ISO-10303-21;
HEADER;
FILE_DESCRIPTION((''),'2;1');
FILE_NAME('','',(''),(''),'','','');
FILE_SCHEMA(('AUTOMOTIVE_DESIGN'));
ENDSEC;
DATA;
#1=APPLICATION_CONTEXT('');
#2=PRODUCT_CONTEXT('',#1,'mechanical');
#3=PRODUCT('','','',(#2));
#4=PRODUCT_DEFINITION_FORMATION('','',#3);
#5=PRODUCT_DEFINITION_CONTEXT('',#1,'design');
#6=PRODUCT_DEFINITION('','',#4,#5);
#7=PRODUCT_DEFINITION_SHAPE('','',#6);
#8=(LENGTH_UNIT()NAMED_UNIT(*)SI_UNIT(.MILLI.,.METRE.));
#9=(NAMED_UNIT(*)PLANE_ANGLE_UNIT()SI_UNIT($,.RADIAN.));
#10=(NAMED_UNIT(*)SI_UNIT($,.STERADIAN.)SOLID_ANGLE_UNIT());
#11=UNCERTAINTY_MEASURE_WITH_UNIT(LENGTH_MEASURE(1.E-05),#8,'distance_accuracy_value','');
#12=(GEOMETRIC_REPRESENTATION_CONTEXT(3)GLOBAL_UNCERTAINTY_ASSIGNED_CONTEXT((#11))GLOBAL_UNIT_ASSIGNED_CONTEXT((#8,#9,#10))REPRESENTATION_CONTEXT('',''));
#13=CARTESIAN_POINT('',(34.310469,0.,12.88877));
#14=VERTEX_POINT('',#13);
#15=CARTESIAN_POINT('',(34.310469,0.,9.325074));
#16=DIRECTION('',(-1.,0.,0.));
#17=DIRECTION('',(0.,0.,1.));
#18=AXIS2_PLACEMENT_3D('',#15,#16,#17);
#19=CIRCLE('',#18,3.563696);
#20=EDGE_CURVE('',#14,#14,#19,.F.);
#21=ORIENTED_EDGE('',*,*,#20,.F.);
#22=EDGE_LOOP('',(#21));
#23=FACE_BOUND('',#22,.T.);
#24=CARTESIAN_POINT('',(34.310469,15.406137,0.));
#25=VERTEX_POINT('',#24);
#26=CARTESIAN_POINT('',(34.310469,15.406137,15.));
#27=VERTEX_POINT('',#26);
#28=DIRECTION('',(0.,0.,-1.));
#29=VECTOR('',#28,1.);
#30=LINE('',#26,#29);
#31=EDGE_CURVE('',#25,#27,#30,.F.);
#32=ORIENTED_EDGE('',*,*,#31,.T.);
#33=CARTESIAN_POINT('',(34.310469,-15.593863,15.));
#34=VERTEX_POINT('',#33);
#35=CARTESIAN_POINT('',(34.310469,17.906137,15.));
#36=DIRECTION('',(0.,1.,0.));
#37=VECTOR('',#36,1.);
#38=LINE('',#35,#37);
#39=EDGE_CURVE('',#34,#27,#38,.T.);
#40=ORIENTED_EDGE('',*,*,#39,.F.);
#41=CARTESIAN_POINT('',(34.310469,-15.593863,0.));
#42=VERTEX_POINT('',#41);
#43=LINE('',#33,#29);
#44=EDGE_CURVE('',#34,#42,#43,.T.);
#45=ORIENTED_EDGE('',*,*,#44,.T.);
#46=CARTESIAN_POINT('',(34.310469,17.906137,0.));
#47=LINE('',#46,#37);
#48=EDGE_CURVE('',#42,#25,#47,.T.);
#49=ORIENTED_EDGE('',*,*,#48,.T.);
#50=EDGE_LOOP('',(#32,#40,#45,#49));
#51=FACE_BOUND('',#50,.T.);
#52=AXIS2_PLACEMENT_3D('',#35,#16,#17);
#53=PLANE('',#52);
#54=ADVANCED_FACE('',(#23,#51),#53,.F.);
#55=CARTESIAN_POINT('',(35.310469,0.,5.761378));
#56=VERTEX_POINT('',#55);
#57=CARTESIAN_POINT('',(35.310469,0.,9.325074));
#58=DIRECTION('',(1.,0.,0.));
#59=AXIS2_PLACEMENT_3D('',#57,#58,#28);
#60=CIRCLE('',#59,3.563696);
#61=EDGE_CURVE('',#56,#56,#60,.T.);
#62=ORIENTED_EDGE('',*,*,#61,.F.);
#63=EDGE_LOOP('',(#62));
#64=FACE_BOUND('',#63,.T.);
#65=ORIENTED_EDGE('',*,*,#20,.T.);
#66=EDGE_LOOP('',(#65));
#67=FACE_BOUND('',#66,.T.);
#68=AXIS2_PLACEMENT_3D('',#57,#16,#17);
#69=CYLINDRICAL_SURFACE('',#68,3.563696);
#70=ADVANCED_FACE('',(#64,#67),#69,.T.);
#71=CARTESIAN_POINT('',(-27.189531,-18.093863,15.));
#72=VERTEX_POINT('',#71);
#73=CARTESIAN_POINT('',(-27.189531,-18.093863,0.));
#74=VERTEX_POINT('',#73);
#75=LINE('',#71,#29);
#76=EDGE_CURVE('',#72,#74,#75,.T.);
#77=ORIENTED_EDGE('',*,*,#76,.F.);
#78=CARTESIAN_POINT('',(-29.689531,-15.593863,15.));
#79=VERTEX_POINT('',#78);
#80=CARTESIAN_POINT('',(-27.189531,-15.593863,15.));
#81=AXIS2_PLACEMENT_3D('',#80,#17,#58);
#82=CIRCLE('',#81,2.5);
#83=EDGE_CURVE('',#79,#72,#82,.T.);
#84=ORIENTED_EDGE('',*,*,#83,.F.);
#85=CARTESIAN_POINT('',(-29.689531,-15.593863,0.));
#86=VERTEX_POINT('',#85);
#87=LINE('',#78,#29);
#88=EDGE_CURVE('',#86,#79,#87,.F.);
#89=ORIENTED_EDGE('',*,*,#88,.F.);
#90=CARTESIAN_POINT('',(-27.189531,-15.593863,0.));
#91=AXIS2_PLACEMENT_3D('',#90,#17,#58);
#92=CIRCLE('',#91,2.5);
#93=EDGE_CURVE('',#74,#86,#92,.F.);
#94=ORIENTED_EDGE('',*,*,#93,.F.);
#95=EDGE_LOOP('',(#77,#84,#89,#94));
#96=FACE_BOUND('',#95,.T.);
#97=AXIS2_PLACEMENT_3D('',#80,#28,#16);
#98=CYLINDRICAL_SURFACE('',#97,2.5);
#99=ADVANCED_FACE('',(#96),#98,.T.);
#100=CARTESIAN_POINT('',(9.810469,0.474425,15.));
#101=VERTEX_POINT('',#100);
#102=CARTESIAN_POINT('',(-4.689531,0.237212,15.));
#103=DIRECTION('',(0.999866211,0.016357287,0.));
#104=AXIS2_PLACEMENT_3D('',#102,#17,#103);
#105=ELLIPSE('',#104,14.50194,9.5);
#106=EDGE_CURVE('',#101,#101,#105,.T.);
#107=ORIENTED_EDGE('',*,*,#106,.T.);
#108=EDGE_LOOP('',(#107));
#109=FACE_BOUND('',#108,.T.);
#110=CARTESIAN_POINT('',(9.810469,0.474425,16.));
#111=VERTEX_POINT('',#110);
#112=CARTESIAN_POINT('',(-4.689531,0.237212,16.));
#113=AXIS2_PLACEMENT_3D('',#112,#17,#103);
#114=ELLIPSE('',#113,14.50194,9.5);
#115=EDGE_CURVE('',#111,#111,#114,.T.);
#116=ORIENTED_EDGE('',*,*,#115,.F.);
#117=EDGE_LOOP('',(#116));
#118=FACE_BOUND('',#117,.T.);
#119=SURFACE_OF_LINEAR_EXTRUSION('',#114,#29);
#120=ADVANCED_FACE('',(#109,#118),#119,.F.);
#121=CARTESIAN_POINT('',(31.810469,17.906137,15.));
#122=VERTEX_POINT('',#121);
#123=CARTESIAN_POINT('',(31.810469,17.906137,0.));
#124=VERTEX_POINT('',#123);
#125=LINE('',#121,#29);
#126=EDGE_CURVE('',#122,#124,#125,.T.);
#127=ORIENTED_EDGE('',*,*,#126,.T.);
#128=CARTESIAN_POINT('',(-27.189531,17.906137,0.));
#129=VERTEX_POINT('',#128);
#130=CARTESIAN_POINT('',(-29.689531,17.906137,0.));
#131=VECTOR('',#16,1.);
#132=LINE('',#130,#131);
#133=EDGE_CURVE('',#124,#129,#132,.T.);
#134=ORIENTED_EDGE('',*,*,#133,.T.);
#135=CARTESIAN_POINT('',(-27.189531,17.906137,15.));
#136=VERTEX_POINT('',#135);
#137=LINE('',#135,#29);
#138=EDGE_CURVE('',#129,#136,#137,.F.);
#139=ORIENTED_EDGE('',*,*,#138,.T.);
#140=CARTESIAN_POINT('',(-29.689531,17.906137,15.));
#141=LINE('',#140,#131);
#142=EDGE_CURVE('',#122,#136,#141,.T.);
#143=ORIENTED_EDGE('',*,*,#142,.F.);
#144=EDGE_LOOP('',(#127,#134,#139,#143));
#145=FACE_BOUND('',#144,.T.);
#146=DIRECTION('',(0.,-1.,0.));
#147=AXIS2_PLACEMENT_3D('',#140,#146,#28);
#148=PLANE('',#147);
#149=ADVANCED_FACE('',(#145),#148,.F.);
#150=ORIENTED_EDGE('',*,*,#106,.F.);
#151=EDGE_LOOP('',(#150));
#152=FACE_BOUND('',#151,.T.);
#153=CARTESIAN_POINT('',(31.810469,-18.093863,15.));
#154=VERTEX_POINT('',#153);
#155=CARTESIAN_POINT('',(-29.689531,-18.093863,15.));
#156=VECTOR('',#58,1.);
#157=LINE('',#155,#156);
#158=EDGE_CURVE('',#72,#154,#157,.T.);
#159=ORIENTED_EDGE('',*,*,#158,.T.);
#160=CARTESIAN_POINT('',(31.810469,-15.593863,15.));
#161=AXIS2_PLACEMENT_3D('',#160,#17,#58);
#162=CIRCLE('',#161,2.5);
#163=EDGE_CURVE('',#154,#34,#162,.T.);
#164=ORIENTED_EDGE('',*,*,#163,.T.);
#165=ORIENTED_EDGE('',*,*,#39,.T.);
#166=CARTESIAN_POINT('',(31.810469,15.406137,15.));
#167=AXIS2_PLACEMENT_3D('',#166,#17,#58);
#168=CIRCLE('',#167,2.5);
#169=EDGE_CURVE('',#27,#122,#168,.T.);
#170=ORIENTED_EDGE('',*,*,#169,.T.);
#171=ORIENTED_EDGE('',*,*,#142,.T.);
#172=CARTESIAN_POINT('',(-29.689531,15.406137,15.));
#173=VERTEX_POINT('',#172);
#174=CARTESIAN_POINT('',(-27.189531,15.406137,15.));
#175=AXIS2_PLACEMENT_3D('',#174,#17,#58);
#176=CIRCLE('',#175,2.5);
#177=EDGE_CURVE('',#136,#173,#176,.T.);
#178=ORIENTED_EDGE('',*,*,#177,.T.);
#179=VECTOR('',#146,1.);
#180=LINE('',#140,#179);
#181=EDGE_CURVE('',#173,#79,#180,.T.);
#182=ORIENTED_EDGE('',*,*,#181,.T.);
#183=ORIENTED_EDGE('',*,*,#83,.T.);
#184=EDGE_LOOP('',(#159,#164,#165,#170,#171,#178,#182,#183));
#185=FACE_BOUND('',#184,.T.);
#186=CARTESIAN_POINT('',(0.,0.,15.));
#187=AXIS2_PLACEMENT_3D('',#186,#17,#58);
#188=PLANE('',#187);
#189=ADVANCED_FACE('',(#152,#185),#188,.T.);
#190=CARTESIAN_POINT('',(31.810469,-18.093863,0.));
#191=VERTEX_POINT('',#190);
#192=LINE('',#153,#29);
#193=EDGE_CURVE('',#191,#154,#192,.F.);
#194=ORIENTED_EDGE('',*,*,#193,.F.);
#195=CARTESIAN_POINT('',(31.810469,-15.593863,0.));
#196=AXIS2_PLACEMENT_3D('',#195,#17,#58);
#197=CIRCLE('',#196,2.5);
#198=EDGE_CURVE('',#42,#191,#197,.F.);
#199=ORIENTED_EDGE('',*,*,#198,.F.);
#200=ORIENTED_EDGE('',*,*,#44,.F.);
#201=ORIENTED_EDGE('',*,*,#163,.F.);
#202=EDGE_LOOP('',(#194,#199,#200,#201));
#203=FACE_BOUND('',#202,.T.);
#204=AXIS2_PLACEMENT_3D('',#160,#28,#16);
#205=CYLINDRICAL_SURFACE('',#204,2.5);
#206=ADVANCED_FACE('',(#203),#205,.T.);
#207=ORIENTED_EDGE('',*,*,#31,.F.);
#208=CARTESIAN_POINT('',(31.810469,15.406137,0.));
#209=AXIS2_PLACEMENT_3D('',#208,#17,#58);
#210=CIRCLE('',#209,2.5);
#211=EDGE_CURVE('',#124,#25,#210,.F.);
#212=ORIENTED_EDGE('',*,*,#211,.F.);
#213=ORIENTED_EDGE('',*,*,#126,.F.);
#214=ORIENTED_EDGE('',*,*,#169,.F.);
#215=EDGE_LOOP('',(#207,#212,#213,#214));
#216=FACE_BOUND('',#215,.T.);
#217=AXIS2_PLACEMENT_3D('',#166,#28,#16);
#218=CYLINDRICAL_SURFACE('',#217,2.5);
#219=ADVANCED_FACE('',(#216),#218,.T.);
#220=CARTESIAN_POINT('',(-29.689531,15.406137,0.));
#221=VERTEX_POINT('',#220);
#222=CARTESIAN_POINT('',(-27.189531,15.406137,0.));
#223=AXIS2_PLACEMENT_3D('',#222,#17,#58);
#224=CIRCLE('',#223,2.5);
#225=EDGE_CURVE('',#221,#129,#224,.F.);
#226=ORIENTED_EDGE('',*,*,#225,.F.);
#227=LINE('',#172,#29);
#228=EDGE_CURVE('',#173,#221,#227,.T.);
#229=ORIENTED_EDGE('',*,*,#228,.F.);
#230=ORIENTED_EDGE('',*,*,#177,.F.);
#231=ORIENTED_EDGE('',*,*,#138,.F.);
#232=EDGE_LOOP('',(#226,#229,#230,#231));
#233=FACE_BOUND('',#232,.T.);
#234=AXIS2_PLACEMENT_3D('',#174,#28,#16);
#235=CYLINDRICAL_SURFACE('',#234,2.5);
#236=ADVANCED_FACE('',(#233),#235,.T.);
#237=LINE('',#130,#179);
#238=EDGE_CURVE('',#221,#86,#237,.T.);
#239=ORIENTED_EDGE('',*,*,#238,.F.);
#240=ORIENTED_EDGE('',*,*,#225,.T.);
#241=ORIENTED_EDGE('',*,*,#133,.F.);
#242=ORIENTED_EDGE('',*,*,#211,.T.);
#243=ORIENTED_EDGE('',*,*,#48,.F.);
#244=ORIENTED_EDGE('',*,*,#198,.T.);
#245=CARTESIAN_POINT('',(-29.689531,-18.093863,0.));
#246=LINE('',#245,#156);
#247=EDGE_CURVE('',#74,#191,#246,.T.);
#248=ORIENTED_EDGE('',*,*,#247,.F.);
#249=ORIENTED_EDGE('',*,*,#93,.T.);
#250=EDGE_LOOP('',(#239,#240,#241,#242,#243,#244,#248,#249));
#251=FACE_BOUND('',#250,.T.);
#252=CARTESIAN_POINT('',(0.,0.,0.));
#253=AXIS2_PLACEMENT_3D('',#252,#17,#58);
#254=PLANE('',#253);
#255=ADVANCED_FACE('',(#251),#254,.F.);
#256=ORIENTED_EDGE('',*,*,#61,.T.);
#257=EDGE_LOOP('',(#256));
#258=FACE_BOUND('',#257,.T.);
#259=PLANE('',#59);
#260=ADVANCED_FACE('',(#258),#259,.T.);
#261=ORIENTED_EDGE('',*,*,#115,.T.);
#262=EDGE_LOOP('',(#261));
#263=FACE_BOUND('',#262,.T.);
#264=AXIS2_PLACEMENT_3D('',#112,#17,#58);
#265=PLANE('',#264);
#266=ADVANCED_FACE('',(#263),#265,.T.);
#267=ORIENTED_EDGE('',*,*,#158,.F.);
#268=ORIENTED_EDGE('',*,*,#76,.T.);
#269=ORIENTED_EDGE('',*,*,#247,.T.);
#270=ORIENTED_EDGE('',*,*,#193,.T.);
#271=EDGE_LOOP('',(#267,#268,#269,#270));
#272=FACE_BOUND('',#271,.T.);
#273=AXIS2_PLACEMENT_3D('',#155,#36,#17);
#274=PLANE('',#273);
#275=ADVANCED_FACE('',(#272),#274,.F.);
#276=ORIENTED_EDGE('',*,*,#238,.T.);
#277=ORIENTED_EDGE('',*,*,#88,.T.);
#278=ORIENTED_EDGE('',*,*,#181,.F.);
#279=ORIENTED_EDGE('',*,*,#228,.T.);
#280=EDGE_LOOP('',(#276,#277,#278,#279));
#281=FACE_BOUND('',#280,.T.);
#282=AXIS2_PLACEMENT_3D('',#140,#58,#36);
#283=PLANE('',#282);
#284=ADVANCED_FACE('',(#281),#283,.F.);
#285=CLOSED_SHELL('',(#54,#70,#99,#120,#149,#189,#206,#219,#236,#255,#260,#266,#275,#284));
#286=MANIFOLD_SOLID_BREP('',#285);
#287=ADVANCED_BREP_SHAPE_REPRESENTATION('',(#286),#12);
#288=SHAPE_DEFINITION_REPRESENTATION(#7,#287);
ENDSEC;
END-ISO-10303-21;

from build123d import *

# Parameters (mm, degrees)
SKETCH1_W           = 64
SKETCH1_H           = 36
BOSS_EXTRUDE1_DEPTH = 15
FILLET1_R           = 2.5
SKETCH2_RX          = 14.501940206
SKETCH2_RY          = 9.5
BOSS_EXTRUDE2_DEPTH = 1
SKETCH3_R           = 3.563696192
BOSS_EXTRUDE3_DEPTH = 1


with BuildPart() as part:
    # Sketch1 → Boss-Extrude1 (new body)
    with BuildSketch(Plane.XY):
        with Locations((2.310469314, -0.093862816)):
            Rectangle(SKETCH1_W, SKETCH1_H)
    extrude(amount=BOSS_EXTRUDE1_DEPTH)

    # Fillet1
    fillet1_edges = [part.edges().sort_by_distance(p)[0] for p in [
        (-29.689530686, 17.906137184, 7.5),
        (34.310469314, 17.906137184, 7.5),
        (34.310469314, -18.093862816, 7.5),
        (-29.689530686, -18.093862816, 7.5),
    ]]
    fillet(fillet1_edges, radius=FILLET1_R)

    # Sketch2 → Boss-Extrude2 (add)
    with BuildSketch(Plane.XY.offset(15)):
        with Locations(Location((-4.689530686, 0.237212403), (0, 0, 0.937245327))):
            Ellipse(SKETCH2_RX, SKETCH2_RY)
    extrude(amount=BOSS_EXTRUDE2_DEPTH)

    # Sketch3 → Boss-Extrude3 (add)
    with BuildSketch(Plane(origin=(34.310469314, 0, 0), x_dir=(0, 0, -1), z_dir=(1, 0, 0))):
        with Locations((-9.325073978, 0)):
            Circle(SKETCH3_R)
    extrude(amount=BOSS_EXTRUDE3_DEPTH)


solid = part.part
